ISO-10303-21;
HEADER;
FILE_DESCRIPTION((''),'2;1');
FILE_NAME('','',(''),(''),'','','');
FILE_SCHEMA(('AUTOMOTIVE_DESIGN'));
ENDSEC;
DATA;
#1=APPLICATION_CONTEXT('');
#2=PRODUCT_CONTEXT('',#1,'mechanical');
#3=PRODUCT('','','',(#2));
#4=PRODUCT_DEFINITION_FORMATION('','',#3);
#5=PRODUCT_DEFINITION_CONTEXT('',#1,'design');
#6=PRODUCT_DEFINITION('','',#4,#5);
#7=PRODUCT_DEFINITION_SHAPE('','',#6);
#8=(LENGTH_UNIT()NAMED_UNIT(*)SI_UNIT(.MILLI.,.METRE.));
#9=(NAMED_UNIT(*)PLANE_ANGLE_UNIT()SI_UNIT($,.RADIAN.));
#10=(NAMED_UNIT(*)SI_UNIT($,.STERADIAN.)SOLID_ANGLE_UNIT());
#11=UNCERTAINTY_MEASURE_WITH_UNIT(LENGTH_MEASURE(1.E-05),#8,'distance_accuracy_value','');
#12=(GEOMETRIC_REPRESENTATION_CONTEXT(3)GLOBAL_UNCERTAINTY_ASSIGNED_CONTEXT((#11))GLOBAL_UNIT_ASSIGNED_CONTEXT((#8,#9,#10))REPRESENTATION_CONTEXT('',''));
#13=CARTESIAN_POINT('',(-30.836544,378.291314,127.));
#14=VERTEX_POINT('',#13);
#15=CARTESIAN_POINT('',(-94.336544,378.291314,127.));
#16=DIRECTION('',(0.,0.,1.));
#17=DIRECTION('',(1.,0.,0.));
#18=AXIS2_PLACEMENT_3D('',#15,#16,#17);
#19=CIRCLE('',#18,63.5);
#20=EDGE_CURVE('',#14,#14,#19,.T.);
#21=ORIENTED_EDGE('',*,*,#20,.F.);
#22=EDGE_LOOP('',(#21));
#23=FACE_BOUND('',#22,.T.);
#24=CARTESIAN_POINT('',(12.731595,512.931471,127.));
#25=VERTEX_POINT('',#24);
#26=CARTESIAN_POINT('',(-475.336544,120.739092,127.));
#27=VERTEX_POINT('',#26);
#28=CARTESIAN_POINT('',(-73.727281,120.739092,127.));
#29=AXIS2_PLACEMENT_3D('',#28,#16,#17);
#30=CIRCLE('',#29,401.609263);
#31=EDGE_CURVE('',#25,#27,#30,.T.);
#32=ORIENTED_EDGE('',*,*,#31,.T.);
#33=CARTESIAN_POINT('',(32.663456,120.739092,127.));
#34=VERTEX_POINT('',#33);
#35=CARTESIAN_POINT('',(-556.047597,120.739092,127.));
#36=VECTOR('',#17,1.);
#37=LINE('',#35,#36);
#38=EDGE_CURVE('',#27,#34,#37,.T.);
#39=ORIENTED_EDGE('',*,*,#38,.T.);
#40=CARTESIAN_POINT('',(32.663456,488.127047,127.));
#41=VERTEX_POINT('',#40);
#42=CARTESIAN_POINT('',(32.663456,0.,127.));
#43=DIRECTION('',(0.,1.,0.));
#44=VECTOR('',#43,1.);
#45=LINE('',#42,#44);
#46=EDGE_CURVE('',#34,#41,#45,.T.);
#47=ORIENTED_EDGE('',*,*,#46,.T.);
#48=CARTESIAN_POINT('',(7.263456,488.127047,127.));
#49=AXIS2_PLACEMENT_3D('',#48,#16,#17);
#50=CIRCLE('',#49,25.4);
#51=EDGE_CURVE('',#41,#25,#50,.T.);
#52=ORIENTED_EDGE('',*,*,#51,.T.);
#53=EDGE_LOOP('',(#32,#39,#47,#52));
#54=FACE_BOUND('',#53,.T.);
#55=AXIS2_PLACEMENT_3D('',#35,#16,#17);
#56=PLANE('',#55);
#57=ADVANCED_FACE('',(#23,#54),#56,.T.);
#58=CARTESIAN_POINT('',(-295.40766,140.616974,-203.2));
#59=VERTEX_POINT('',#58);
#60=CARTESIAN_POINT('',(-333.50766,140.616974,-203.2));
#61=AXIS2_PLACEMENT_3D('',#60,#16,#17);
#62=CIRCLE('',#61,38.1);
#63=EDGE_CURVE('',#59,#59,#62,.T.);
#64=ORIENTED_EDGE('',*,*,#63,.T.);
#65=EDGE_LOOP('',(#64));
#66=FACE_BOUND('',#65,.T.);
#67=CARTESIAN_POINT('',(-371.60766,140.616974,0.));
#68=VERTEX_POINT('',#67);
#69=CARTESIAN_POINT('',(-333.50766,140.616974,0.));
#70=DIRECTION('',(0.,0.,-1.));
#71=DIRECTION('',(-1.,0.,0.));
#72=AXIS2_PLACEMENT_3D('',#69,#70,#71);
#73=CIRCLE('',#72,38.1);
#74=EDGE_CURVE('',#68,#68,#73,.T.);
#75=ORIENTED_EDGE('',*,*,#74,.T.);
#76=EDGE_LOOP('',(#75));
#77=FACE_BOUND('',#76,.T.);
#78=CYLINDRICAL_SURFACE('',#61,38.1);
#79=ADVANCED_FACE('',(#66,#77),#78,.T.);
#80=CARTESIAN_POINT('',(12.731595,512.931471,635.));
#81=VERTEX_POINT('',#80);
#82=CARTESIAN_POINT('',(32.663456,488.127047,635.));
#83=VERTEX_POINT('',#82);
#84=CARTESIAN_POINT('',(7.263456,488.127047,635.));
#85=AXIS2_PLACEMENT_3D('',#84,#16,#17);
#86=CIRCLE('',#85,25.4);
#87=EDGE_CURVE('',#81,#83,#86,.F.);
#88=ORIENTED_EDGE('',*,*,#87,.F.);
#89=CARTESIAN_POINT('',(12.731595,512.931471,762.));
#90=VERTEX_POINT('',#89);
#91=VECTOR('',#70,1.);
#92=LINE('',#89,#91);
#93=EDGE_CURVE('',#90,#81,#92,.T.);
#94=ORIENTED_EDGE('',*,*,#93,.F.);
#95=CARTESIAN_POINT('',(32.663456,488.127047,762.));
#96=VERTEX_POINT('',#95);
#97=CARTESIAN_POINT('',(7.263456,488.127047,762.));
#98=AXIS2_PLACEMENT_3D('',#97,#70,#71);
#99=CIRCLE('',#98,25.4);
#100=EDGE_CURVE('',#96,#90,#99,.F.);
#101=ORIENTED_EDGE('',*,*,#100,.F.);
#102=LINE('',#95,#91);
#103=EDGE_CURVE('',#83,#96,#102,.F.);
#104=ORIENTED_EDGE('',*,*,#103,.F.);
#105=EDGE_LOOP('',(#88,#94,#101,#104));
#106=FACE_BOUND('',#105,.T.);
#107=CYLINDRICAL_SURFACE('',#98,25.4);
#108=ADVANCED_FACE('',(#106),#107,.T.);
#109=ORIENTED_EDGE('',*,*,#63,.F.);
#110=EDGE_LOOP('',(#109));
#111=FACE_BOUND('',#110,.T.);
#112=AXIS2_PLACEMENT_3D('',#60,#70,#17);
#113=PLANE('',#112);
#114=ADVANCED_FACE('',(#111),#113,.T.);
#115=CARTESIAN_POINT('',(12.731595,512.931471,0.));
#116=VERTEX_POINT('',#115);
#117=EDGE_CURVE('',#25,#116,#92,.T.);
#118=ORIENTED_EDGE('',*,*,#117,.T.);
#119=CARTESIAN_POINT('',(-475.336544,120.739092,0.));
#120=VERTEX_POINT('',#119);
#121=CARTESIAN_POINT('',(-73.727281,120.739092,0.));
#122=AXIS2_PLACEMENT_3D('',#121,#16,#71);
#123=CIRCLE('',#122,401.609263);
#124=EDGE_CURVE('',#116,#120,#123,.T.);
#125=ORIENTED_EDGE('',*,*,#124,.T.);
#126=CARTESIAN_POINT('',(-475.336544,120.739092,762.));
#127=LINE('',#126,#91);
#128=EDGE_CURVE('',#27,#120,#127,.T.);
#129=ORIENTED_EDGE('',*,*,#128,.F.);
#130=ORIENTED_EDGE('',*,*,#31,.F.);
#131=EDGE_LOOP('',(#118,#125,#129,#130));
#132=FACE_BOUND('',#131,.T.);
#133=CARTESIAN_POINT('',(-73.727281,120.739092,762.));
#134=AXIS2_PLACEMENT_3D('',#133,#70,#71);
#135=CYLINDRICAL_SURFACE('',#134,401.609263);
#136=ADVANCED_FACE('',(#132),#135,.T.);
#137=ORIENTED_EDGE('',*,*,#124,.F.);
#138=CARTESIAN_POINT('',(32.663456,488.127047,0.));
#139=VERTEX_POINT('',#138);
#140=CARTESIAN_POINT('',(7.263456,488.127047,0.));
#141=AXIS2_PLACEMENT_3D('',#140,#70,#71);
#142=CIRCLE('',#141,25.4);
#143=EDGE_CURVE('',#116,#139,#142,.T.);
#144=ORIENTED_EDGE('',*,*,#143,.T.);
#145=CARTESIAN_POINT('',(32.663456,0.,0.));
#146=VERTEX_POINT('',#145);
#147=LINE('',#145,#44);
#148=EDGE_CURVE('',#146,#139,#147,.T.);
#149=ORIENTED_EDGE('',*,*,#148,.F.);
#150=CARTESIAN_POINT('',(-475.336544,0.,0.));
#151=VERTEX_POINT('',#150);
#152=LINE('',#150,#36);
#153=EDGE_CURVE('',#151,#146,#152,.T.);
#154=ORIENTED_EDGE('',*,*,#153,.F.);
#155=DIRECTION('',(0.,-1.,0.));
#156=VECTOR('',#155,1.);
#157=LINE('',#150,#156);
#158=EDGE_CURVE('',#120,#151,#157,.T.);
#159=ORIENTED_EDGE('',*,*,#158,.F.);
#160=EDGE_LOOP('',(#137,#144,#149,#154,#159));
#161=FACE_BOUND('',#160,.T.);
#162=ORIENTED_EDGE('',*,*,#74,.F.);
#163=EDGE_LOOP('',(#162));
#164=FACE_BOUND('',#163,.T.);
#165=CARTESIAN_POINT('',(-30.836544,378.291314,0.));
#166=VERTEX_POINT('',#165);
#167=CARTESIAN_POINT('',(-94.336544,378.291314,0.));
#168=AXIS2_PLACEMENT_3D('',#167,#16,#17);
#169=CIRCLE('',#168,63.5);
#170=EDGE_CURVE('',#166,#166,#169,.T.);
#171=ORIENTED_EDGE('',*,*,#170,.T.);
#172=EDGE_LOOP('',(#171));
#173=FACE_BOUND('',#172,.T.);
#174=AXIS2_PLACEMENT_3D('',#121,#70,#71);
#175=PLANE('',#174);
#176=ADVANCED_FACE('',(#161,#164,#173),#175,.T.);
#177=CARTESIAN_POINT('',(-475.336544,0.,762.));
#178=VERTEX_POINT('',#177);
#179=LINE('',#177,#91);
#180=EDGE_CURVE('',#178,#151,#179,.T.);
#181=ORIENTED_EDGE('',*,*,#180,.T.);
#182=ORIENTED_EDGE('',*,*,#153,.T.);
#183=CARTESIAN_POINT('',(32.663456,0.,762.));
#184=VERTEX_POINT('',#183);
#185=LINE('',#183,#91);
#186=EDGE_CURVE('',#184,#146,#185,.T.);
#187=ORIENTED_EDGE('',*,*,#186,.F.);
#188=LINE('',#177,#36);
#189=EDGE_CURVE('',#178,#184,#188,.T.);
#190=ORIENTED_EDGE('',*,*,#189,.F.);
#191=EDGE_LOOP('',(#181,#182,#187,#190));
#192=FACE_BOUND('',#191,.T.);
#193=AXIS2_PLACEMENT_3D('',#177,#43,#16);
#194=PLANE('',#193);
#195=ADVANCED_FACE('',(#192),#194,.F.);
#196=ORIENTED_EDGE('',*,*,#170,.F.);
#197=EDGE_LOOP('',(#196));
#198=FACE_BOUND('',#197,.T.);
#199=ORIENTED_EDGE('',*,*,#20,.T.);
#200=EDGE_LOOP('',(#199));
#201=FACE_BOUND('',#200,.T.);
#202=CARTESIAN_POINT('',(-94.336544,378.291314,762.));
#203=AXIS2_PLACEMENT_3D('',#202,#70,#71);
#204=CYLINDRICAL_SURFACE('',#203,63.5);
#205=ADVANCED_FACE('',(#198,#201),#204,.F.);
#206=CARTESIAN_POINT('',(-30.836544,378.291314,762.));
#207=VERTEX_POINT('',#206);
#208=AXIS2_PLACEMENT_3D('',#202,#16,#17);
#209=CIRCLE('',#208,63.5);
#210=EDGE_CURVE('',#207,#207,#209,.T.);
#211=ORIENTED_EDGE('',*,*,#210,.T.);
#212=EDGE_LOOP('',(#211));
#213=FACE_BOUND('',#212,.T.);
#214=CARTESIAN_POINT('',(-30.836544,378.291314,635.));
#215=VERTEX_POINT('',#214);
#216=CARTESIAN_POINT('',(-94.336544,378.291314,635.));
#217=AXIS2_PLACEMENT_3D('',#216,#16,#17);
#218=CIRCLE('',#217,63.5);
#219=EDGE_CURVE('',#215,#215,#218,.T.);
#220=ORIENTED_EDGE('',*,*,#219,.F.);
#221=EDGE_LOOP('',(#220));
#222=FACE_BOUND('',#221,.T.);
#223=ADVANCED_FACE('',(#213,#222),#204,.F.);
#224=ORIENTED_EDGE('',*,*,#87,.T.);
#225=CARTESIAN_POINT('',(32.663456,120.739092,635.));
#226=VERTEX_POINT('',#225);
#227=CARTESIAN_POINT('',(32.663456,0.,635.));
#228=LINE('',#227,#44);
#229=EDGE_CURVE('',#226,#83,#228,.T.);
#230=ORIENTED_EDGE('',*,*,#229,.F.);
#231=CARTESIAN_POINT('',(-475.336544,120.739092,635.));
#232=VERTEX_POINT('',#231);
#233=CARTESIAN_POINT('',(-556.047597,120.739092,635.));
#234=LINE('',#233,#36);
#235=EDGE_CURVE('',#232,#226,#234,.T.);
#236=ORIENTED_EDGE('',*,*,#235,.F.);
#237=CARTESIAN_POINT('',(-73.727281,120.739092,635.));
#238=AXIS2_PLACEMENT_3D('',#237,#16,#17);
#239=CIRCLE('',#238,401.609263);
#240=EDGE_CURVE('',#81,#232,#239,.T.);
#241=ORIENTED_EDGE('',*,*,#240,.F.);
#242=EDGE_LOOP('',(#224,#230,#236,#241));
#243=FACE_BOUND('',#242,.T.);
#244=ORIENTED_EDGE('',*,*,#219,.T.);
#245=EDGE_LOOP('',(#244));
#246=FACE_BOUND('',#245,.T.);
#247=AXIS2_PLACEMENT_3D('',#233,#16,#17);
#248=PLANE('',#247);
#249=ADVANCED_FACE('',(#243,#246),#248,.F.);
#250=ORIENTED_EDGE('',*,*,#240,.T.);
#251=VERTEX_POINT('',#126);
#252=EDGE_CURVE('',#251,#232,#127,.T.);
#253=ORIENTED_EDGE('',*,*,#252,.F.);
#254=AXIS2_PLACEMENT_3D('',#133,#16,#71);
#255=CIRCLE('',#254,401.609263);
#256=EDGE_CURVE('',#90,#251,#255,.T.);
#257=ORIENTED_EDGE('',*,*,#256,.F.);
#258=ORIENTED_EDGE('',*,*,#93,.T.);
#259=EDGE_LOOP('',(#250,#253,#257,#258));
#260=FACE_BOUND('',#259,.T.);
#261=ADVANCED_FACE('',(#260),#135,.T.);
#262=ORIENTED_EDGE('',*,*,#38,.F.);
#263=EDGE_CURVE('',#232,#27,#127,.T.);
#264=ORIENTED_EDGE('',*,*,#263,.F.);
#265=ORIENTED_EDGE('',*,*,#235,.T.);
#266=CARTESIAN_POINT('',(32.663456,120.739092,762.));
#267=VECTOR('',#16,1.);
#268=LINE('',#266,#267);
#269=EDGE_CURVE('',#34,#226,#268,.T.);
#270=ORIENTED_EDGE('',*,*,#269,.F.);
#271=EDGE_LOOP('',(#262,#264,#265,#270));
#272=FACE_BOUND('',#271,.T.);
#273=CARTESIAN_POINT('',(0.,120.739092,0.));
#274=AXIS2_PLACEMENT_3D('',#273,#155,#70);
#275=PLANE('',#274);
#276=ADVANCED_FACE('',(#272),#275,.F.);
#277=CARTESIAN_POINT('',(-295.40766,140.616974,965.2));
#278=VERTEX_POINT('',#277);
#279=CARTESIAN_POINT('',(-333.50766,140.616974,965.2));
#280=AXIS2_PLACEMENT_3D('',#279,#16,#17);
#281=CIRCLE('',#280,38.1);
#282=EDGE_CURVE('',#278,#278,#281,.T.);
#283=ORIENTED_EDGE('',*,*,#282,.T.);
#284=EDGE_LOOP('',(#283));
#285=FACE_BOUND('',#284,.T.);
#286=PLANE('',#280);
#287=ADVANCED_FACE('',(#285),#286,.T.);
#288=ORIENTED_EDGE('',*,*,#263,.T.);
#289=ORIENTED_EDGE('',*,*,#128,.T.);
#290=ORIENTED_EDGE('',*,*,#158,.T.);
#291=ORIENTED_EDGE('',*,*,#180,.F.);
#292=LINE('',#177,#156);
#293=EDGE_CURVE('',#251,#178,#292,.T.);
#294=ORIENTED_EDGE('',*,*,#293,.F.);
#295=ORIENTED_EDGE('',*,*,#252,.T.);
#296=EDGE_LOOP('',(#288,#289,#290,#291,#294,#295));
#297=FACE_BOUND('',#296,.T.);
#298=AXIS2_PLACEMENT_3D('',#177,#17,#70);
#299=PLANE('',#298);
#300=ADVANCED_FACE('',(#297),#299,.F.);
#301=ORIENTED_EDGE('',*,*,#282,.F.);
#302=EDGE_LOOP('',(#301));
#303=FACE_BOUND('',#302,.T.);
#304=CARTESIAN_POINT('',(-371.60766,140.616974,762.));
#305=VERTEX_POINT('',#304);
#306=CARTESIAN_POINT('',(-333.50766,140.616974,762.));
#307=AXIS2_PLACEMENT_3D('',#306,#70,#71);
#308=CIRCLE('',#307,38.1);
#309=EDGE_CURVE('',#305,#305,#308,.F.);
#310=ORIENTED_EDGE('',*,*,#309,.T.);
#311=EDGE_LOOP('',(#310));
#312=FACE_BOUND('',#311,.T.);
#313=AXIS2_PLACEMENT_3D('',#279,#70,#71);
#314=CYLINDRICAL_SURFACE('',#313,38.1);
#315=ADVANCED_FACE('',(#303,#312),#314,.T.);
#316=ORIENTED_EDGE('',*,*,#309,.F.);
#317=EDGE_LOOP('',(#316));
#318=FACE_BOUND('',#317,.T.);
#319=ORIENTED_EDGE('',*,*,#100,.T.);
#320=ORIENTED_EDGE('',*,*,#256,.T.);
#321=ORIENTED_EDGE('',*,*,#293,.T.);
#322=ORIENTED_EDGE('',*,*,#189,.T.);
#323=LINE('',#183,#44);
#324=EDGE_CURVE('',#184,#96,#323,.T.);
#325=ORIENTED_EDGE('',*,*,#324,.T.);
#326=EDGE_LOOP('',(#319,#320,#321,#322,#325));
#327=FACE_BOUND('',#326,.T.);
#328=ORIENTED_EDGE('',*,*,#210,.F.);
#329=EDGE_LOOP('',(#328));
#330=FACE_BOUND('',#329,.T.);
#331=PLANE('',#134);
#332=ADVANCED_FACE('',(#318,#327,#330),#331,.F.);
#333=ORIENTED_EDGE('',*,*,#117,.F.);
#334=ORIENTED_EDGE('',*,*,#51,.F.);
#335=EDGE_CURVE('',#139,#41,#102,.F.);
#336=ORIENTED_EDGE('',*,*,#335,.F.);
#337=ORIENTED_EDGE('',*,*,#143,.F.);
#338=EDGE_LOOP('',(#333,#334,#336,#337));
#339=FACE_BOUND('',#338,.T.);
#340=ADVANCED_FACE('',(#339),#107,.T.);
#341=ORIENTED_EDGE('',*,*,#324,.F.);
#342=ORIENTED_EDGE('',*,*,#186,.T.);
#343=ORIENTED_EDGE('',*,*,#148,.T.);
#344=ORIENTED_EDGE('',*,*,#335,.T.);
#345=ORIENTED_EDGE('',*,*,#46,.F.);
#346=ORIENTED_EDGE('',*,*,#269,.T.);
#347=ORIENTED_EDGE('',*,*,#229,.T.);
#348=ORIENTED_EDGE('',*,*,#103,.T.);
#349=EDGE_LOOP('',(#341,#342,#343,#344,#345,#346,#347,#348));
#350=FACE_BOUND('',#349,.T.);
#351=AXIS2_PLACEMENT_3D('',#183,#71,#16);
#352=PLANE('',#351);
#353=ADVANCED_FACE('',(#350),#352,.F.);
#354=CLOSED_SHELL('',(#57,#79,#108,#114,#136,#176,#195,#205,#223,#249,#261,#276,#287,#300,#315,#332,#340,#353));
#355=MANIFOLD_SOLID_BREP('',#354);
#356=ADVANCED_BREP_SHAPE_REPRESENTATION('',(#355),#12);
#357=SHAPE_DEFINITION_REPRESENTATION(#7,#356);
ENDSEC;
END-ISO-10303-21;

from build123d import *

# Parameters (mm, degrees)
SKETCH1_R               = 63.5
BOSS_EXTRUDE1_DEPTH     = 762
CUT_EXTRUDE1_DEPTH      = 1032.82015403
CUT_EXTRUDE1_DEPTH_BACK = 387.260908
SKETCH2_W               = 765.404618736
SKETCH2_H               = 508
SKETCH3_R               = 38.1
BOSS_EXTRUDE2_DEPTH     = 203.2
FILLET1_R               = 25.4


with BuildPart() as part:
    # Sketch1 → Boss-Extrude1 (new body)
    with BuildSketch(Plane.XY):
        with BuildLine():
            Line((-475.33654421, 0), (32.66345579, 0))
            Line((32.66345579, 0), (32.66345579, 508))
            ThreePointArc((32.66345579, 508), (-317.204687381, 440.127182905), (-475.33654421, 120.739091765))
            Line((-475.33654421, 120.739091765), (-475.33654421, 0))
        make_face()
        with Locations((-94.33654421, 378.291313639)):
            Circle(SKETCH1_R, mode=Mode.SUBTRACT)
    extrude(amount=BOSS_EXTRUDE1_DEPTH)

    # Sketch2 → Cut-Extrude1 (cut, two sides: drawn at the far end of the back side and taken through both)
    with BuildSketch(Plane(origin=(0, 508, 0), x_dir=(1, 0, 0), z_dir=(0, 1, 0)).offset(-CUT_EXTRUDE1_DEPTH_BACK)):
        with Locations((-173.345287356, -381)):
            Rectangle(SKETCH2_W, SKETCH2_H)
    extrude(amount=CUT_EXTRUDE1_DEPTH + CUT_EXTRUDE1_DEPTH_BACK, mode=Mode.SUBTRACT)

    # Sketch3 → Boss-Extrude2 (add)
    with BuildSketch(Plane.XY.offset(762)):
        with Locations(Location((-333.507660116, 140.616973841, 0), (0, 0, 180))):
            Circle(SKETCH3_R)
    boss_extrude2 = extrude(amount=BOSS_EXTRUDE2_DEPTH)

    # Mirror1: Boss-Extrude2 across plane
    add(boss_extrude2.mirror(Plane.XY.offset(381)))

    # Fillet1
    fillet1_edges = [part.edges().sort_by_distance(p)[0] for p in [
        (32.66345579, 508, 63.5),
        (32.66345579, 508, 698.5),
    ]]
    fillet(fillet1_edges, radius=FILLET1_R)


solid = part.part
